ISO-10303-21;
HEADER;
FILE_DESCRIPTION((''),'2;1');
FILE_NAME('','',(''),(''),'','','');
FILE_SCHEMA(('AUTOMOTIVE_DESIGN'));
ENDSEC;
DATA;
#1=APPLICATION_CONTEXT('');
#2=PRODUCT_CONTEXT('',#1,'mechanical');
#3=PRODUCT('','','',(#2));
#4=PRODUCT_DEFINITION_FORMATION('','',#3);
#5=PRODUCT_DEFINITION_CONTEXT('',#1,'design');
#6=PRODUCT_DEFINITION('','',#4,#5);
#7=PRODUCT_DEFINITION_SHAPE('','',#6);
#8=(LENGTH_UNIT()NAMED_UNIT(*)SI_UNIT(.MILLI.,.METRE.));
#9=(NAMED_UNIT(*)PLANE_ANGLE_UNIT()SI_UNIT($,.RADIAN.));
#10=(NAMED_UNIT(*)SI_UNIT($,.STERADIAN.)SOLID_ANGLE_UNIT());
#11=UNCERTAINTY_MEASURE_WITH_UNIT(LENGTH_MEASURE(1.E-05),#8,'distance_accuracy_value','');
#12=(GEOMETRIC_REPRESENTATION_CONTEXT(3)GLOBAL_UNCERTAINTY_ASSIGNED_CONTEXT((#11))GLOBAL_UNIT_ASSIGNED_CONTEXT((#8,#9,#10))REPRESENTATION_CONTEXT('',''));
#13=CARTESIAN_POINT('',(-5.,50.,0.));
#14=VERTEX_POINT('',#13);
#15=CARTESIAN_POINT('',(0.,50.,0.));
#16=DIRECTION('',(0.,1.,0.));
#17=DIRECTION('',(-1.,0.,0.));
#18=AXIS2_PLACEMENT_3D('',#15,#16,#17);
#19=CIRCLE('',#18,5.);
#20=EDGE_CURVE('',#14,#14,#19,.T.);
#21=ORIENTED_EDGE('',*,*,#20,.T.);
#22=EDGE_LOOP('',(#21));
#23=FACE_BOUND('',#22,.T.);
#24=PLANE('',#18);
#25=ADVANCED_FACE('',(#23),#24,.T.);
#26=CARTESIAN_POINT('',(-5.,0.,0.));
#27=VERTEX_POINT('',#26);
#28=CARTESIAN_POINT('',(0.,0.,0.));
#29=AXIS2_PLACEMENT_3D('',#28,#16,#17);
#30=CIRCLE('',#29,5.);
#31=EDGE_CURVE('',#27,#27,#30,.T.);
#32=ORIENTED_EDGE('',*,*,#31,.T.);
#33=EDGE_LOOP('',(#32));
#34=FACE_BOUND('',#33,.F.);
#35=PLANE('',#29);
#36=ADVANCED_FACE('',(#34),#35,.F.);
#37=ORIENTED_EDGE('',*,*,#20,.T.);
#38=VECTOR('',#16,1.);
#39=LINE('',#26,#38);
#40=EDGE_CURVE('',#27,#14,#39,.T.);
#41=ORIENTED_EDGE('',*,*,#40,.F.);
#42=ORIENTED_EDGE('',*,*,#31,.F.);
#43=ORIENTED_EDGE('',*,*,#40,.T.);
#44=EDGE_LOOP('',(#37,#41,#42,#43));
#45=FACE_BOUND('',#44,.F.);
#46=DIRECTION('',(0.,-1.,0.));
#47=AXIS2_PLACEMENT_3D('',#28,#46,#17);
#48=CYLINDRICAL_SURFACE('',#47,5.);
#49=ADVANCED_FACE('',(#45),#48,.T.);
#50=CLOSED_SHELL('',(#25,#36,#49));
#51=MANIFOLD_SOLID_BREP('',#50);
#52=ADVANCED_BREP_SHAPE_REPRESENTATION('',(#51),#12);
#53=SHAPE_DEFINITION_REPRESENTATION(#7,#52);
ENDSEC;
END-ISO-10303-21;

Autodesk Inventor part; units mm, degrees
ref_plane "YZ Plane" through (0, 0, 0) normal (1, 0, 0) x (0, 1, 0)
ref_plane "XZ Plane" through (0, 0, 0) normal (0, 1, 0) x (-1, 0, 0)
ref_plane "XY Plane" through (0, 0, 0) normal (0, 0, 1) x (1, 0, 0)
sketch "스케치1" plane through (0, 0, 0) normal (0, 1, 0) x (-1, 0, 0)
  circle A0 centre (0, 0) radius 5
  dimension "d0" = 10
extrude "돌출1" add sketch "스케치1" along normal blind 50
properties part number "커튼 스프링"
